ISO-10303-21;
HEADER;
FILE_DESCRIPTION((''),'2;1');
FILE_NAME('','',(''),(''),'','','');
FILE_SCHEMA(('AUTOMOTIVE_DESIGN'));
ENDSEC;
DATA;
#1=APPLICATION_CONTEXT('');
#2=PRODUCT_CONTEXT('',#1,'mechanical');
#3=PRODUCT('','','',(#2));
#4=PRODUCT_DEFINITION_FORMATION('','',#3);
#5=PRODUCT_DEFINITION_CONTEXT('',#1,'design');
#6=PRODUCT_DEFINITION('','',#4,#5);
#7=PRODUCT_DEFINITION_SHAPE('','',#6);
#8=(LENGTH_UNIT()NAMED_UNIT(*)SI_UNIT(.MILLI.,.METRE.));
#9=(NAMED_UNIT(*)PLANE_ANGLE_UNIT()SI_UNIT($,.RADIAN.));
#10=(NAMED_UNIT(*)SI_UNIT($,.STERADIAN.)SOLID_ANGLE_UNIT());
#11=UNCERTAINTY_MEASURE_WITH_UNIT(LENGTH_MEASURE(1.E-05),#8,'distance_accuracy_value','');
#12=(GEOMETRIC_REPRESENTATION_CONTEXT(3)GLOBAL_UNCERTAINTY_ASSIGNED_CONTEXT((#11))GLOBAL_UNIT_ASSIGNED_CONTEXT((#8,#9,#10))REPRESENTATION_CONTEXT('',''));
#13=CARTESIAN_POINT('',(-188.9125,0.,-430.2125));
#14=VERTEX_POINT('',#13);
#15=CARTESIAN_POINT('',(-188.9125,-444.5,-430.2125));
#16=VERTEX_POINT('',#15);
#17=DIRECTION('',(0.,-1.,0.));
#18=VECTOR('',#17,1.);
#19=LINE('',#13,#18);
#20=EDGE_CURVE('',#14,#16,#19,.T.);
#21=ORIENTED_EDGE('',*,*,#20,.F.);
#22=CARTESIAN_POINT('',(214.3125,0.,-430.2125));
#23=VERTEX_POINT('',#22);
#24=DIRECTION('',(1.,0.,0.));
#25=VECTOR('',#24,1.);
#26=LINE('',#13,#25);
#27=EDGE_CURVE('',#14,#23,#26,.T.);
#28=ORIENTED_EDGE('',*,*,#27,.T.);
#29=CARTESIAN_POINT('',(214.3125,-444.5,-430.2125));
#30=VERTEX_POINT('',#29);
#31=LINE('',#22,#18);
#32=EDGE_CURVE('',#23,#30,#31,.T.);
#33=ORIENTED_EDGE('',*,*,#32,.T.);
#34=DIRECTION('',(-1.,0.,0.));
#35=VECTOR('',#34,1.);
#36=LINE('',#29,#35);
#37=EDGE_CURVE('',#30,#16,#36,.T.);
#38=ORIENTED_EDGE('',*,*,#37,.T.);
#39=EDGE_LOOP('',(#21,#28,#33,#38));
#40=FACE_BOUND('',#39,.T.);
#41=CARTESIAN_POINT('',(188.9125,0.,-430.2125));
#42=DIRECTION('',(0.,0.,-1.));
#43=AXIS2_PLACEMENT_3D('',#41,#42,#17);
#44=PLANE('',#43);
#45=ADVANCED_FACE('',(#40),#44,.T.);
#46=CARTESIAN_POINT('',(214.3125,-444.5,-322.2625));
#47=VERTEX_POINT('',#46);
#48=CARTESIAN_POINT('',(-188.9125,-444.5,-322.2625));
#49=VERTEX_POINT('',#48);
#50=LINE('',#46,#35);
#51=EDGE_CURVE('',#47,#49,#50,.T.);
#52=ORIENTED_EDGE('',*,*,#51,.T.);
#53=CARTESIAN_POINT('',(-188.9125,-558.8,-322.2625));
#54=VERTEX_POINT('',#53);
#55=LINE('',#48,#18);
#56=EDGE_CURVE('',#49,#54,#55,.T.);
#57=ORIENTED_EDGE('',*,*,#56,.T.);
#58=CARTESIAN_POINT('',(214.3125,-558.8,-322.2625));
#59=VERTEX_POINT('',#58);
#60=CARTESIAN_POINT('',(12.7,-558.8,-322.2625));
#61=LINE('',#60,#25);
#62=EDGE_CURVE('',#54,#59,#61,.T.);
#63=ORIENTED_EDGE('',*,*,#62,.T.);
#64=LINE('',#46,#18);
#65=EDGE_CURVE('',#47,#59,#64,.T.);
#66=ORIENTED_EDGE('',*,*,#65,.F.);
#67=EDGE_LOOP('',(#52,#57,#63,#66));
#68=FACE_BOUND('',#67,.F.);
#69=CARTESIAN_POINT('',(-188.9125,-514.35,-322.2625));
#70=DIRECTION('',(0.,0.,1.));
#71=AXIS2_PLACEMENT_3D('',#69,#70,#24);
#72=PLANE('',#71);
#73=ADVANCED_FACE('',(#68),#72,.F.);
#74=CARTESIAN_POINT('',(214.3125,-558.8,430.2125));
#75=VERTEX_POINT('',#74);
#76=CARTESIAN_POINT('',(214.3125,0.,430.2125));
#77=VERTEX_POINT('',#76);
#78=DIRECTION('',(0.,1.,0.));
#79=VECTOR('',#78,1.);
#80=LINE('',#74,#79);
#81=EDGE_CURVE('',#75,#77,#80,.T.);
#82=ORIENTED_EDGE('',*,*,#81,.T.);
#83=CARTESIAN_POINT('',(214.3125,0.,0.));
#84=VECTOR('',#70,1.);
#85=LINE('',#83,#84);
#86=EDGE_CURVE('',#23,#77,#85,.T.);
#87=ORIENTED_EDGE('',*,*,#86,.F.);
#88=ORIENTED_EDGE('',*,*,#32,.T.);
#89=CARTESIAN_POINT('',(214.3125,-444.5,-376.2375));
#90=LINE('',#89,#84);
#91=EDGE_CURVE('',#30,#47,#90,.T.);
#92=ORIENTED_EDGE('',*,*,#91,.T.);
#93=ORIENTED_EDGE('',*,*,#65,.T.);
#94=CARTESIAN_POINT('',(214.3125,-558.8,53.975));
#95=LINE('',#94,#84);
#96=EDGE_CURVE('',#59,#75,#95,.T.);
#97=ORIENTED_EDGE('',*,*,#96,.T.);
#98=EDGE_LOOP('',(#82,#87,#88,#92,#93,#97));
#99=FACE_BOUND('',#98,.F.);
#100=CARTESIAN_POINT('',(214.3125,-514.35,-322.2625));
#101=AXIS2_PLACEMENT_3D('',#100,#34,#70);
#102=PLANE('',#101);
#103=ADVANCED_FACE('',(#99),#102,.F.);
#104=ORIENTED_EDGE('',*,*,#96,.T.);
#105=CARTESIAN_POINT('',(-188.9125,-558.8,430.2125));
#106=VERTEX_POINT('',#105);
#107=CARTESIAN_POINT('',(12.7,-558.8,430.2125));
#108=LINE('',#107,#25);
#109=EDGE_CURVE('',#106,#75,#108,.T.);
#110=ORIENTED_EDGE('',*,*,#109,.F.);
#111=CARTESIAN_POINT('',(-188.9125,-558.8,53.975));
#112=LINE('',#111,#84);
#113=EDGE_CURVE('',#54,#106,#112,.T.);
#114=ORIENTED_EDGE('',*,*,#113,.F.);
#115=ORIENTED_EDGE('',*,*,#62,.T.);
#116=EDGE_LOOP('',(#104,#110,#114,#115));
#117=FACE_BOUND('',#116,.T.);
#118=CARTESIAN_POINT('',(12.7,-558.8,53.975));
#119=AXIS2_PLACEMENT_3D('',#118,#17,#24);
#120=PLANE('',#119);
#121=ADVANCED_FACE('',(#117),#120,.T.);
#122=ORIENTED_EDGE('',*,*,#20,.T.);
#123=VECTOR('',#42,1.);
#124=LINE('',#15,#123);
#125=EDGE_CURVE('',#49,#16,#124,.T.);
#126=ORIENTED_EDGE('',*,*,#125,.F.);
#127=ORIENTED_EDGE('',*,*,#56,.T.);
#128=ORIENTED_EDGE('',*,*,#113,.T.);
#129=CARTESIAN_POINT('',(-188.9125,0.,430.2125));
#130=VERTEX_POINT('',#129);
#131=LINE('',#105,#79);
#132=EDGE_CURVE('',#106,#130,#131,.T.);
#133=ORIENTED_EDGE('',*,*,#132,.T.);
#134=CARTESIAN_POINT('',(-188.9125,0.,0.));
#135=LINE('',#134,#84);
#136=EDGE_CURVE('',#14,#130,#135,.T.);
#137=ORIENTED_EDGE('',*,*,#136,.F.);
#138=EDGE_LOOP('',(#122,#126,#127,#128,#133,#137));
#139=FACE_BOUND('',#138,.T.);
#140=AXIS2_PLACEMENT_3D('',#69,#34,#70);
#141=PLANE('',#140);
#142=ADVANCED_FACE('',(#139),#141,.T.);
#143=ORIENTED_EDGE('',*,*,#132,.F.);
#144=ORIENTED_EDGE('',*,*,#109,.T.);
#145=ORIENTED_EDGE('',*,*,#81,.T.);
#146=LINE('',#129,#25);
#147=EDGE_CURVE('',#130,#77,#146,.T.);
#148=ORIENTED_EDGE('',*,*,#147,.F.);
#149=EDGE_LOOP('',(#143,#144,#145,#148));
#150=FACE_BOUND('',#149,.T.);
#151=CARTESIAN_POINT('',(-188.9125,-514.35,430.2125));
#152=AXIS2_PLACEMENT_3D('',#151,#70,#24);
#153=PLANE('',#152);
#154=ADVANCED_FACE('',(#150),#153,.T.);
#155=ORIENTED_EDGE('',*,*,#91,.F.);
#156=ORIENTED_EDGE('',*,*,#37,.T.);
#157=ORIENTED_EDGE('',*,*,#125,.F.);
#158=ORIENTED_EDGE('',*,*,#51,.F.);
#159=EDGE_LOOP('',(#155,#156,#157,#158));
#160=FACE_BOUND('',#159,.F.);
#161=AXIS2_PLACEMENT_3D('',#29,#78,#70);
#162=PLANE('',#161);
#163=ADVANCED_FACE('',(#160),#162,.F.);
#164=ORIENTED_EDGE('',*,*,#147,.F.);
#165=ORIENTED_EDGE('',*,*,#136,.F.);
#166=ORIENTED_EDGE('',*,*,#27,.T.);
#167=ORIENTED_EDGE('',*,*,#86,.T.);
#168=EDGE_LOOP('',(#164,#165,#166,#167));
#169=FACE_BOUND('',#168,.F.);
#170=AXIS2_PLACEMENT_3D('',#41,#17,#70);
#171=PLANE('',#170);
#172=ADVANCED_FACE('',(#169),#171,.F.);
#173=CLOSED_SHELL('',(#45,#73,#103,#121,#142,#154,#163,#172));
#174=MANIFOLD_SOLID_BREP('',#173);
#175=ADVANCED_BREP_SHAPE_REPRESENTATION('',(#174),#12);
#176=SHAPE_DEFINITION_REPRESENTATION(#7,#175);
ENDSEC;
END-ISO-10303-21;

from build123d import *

# Parameters (mm, degrees)
F0_W     = 377.825
F0_H     = 860.425
F1_DEPTH = 514.35
F2_DEPTH = 25.4
F3_W     = 69.85
F3_H     = 107.95
F4_DEPTH = 403.226
F5_W     = 403.225
F5_H     = 752.475
F6_DEPTH = 44.45


with BuildPart() as f1:
    # F0 (on Front) → F1 (new body)
    with BuildSketch(Plane.XZ):
        Rectangle(F0_W, F0_H)
    extrude(amount=F1_DEPTH)

    # F2 (add): a face of the model
    f2_faces = [f1.faces().sort_by_distance(p)[0] for p in [
        (188.9125, -257.175, 0),
    ]]
    extrude(f2_faces, amount=F2_DEPTH)

    # F3 (on face) → F4 (cut, through all)
    with BuildSketch(Plane.YZ.offset(214.3125)):
        with Locations((-479.425, -376.2375)):
            Rectangle(F3_W, F3_H)
    extrude(amount=-F4_DEPTH, mode=Mode.SUBTRACT)

    # F5 (on face) → F6 (join)
    with BuildSketch(Plane.XZ.offset(514.35)):
        with Locations((12.7, 53.975)):
            Rectangle(F5_W, F5_H)
    extrude(amount=F6_DEPTH)


solid = f1.part
